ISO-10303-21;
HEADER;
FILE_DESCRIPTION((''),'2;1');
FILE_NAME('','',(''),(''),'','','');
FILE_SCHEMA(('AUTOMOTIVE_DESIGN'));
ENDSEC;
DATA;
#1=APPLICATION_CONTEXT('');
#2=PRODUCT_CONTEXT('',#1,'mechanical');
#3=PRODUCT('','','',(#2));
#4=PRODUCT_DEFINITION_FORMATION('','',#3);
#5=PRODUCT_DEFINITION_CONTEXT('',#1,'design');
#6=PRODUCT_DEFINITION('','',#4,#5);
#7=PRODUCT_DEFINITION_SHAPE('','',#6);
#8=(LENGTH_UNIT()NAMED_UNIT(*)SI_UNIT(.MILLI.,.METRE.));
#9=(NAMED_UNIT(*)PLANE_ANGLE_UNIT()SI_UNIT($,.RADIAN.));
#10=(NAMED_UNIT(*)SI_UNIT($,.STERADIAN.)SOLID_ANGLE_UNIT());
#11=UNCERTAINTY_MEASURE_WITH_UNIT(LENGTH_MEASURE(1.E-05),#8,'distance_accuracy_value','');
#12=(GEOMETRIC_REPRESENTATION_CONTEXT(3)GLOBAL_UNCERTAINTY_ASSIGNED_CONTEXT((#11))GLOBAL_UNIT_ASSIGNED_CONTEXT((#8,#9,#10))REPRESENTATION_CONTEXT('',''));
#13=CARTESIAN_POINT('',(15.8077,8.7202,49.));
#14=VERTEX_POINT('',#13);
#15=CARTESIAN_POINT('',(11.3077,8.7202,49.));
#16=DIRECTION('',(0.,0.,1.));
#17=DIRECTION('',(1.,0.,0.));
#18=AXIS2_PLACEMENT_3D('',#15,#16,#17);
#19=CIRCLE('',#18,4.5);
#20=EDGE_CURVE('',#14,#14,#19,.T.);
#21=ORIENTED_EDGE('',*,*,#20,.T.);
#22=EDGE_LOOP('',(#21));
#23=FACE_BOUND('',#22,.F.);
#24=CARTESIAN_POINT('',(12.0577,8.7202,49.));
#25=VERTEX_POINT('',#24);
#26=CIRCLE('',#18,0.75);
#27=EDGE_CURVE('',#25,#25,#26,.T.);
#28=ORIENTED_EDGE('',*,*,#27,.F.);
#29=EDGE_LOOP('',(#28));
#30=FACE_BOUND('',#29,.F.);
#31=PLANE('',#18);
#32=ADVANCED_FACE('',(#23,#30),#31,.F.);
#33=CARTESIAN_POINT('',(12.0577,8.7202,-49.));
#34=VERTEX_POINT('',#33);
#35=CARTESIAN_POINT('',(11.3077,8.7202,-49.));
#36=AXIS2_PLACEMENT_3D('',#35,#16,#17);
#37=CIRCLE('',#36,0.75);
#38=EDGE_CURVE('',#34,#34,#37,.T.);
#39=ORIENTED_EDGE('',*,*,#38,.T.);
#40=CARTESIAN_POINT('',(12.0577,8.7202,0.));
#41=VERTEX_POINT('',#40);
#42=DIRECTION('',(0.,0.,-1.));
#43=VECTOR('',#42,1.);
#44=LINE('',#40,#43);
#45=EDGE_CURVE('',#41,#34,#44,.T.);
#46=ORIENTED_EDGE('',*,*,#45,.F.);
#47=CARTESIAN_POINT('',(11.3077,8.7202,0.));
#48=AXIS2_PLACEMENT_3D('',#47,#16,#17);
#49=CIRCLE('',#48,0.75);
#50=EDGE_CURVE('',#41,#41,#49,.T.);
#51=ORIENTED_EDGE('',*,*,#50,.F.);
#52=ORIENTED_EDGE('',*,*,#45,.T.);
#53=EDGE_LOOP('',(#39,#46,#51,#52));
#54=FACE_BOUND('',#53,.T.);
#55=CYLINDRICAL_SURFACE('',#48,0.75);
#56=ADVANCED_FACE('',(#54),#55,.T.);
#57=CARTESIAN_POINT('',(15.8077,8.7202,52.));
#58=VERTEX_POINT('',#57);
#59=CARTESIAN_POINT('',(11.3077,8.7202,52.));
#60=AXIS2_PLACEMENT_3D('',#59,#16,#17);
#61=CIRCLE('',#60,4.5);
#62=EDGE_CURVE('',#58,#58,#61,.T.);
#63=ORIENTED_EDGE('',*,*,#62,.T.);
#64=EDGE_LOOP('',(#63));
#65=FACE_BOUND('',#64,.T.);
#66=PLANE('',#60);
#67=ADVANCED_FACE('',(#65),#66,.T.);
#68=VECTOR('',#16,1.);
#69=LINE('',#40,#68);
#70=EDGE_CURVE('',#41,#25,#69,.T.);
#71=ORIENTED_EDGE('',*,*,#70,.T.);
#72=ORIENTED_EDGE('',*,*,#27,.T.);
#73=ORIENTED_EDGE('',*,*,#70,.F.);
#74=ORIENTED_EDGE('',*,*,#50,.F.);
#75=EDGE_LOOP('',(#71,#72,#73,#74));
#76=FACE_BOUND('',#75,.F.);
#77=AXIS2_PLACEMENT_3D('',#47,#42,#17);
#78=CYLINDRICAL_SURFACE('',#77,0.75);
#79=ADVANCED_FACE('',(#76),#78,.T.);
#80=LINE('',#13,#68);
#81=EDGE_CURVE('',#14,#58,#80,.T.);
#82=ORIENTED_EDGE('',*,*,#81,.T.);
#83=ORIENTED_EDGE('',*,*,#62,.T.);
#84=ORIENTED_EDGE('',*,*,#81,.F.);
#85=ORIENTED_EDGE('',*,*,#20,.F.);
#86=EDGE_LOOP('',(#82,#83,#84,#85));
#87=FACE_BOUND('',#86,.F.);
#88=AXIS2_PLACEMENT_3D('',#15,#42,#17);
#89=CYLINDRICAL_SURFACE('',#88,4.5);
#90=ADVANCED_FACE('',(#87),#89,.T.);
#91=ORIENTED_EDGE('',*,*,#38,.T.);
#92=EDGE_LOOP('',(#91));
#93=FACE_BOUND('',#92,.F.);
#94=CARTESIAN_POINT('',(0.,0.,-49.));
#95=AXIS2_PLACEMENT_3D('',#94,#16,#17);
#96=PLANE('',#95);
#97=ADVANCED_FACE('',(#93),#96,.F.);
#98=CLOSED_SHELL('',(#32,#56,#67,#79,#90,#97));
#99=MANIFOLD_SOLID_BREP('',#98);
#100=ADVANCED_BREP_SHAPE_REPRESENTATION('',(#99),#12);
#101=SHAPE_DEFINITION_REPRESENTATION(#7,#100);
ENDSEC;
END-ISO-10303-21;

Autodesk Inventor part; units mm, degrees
ref_plane "YZ Plane" through (0, 0, 0) normal (1, 0, 0) x (0, 1, 0)
ref_plane "XZ Plane" through (0, 0, 0) normal (0, 1, 0) x (-1, 0, 0)
ref_plane "XY Plane" through (0, 0, 0) normal (0, 0, 1) x (1, 0, 0)
sketch "Sketch1" plane through (0, 0, 0) normal (0, 0, 1) x (1, 0, 0)
  circle A0 centre (11.3077, 8.7202) radius 0.75
  point P0 (0, 0)
  dimension "d0" = 1.5
extrude "Extrusion1" add sketch "Sketch1" along normal mid plane 98
sketch "Sketch2" plane through (11.3077, 8.7202, 49) normal (0, 0, 1) x (1, 0, 0)
  circle A0 centre (0, 0) radius 4.5
  point P0 (-11.3077, -8.7202)
  dimension "d3" = 9
extrude "Extrusion2" add sketch "Sketch2" along normal blind 3
properties part number "hamilton 100micl syringe plunger"
